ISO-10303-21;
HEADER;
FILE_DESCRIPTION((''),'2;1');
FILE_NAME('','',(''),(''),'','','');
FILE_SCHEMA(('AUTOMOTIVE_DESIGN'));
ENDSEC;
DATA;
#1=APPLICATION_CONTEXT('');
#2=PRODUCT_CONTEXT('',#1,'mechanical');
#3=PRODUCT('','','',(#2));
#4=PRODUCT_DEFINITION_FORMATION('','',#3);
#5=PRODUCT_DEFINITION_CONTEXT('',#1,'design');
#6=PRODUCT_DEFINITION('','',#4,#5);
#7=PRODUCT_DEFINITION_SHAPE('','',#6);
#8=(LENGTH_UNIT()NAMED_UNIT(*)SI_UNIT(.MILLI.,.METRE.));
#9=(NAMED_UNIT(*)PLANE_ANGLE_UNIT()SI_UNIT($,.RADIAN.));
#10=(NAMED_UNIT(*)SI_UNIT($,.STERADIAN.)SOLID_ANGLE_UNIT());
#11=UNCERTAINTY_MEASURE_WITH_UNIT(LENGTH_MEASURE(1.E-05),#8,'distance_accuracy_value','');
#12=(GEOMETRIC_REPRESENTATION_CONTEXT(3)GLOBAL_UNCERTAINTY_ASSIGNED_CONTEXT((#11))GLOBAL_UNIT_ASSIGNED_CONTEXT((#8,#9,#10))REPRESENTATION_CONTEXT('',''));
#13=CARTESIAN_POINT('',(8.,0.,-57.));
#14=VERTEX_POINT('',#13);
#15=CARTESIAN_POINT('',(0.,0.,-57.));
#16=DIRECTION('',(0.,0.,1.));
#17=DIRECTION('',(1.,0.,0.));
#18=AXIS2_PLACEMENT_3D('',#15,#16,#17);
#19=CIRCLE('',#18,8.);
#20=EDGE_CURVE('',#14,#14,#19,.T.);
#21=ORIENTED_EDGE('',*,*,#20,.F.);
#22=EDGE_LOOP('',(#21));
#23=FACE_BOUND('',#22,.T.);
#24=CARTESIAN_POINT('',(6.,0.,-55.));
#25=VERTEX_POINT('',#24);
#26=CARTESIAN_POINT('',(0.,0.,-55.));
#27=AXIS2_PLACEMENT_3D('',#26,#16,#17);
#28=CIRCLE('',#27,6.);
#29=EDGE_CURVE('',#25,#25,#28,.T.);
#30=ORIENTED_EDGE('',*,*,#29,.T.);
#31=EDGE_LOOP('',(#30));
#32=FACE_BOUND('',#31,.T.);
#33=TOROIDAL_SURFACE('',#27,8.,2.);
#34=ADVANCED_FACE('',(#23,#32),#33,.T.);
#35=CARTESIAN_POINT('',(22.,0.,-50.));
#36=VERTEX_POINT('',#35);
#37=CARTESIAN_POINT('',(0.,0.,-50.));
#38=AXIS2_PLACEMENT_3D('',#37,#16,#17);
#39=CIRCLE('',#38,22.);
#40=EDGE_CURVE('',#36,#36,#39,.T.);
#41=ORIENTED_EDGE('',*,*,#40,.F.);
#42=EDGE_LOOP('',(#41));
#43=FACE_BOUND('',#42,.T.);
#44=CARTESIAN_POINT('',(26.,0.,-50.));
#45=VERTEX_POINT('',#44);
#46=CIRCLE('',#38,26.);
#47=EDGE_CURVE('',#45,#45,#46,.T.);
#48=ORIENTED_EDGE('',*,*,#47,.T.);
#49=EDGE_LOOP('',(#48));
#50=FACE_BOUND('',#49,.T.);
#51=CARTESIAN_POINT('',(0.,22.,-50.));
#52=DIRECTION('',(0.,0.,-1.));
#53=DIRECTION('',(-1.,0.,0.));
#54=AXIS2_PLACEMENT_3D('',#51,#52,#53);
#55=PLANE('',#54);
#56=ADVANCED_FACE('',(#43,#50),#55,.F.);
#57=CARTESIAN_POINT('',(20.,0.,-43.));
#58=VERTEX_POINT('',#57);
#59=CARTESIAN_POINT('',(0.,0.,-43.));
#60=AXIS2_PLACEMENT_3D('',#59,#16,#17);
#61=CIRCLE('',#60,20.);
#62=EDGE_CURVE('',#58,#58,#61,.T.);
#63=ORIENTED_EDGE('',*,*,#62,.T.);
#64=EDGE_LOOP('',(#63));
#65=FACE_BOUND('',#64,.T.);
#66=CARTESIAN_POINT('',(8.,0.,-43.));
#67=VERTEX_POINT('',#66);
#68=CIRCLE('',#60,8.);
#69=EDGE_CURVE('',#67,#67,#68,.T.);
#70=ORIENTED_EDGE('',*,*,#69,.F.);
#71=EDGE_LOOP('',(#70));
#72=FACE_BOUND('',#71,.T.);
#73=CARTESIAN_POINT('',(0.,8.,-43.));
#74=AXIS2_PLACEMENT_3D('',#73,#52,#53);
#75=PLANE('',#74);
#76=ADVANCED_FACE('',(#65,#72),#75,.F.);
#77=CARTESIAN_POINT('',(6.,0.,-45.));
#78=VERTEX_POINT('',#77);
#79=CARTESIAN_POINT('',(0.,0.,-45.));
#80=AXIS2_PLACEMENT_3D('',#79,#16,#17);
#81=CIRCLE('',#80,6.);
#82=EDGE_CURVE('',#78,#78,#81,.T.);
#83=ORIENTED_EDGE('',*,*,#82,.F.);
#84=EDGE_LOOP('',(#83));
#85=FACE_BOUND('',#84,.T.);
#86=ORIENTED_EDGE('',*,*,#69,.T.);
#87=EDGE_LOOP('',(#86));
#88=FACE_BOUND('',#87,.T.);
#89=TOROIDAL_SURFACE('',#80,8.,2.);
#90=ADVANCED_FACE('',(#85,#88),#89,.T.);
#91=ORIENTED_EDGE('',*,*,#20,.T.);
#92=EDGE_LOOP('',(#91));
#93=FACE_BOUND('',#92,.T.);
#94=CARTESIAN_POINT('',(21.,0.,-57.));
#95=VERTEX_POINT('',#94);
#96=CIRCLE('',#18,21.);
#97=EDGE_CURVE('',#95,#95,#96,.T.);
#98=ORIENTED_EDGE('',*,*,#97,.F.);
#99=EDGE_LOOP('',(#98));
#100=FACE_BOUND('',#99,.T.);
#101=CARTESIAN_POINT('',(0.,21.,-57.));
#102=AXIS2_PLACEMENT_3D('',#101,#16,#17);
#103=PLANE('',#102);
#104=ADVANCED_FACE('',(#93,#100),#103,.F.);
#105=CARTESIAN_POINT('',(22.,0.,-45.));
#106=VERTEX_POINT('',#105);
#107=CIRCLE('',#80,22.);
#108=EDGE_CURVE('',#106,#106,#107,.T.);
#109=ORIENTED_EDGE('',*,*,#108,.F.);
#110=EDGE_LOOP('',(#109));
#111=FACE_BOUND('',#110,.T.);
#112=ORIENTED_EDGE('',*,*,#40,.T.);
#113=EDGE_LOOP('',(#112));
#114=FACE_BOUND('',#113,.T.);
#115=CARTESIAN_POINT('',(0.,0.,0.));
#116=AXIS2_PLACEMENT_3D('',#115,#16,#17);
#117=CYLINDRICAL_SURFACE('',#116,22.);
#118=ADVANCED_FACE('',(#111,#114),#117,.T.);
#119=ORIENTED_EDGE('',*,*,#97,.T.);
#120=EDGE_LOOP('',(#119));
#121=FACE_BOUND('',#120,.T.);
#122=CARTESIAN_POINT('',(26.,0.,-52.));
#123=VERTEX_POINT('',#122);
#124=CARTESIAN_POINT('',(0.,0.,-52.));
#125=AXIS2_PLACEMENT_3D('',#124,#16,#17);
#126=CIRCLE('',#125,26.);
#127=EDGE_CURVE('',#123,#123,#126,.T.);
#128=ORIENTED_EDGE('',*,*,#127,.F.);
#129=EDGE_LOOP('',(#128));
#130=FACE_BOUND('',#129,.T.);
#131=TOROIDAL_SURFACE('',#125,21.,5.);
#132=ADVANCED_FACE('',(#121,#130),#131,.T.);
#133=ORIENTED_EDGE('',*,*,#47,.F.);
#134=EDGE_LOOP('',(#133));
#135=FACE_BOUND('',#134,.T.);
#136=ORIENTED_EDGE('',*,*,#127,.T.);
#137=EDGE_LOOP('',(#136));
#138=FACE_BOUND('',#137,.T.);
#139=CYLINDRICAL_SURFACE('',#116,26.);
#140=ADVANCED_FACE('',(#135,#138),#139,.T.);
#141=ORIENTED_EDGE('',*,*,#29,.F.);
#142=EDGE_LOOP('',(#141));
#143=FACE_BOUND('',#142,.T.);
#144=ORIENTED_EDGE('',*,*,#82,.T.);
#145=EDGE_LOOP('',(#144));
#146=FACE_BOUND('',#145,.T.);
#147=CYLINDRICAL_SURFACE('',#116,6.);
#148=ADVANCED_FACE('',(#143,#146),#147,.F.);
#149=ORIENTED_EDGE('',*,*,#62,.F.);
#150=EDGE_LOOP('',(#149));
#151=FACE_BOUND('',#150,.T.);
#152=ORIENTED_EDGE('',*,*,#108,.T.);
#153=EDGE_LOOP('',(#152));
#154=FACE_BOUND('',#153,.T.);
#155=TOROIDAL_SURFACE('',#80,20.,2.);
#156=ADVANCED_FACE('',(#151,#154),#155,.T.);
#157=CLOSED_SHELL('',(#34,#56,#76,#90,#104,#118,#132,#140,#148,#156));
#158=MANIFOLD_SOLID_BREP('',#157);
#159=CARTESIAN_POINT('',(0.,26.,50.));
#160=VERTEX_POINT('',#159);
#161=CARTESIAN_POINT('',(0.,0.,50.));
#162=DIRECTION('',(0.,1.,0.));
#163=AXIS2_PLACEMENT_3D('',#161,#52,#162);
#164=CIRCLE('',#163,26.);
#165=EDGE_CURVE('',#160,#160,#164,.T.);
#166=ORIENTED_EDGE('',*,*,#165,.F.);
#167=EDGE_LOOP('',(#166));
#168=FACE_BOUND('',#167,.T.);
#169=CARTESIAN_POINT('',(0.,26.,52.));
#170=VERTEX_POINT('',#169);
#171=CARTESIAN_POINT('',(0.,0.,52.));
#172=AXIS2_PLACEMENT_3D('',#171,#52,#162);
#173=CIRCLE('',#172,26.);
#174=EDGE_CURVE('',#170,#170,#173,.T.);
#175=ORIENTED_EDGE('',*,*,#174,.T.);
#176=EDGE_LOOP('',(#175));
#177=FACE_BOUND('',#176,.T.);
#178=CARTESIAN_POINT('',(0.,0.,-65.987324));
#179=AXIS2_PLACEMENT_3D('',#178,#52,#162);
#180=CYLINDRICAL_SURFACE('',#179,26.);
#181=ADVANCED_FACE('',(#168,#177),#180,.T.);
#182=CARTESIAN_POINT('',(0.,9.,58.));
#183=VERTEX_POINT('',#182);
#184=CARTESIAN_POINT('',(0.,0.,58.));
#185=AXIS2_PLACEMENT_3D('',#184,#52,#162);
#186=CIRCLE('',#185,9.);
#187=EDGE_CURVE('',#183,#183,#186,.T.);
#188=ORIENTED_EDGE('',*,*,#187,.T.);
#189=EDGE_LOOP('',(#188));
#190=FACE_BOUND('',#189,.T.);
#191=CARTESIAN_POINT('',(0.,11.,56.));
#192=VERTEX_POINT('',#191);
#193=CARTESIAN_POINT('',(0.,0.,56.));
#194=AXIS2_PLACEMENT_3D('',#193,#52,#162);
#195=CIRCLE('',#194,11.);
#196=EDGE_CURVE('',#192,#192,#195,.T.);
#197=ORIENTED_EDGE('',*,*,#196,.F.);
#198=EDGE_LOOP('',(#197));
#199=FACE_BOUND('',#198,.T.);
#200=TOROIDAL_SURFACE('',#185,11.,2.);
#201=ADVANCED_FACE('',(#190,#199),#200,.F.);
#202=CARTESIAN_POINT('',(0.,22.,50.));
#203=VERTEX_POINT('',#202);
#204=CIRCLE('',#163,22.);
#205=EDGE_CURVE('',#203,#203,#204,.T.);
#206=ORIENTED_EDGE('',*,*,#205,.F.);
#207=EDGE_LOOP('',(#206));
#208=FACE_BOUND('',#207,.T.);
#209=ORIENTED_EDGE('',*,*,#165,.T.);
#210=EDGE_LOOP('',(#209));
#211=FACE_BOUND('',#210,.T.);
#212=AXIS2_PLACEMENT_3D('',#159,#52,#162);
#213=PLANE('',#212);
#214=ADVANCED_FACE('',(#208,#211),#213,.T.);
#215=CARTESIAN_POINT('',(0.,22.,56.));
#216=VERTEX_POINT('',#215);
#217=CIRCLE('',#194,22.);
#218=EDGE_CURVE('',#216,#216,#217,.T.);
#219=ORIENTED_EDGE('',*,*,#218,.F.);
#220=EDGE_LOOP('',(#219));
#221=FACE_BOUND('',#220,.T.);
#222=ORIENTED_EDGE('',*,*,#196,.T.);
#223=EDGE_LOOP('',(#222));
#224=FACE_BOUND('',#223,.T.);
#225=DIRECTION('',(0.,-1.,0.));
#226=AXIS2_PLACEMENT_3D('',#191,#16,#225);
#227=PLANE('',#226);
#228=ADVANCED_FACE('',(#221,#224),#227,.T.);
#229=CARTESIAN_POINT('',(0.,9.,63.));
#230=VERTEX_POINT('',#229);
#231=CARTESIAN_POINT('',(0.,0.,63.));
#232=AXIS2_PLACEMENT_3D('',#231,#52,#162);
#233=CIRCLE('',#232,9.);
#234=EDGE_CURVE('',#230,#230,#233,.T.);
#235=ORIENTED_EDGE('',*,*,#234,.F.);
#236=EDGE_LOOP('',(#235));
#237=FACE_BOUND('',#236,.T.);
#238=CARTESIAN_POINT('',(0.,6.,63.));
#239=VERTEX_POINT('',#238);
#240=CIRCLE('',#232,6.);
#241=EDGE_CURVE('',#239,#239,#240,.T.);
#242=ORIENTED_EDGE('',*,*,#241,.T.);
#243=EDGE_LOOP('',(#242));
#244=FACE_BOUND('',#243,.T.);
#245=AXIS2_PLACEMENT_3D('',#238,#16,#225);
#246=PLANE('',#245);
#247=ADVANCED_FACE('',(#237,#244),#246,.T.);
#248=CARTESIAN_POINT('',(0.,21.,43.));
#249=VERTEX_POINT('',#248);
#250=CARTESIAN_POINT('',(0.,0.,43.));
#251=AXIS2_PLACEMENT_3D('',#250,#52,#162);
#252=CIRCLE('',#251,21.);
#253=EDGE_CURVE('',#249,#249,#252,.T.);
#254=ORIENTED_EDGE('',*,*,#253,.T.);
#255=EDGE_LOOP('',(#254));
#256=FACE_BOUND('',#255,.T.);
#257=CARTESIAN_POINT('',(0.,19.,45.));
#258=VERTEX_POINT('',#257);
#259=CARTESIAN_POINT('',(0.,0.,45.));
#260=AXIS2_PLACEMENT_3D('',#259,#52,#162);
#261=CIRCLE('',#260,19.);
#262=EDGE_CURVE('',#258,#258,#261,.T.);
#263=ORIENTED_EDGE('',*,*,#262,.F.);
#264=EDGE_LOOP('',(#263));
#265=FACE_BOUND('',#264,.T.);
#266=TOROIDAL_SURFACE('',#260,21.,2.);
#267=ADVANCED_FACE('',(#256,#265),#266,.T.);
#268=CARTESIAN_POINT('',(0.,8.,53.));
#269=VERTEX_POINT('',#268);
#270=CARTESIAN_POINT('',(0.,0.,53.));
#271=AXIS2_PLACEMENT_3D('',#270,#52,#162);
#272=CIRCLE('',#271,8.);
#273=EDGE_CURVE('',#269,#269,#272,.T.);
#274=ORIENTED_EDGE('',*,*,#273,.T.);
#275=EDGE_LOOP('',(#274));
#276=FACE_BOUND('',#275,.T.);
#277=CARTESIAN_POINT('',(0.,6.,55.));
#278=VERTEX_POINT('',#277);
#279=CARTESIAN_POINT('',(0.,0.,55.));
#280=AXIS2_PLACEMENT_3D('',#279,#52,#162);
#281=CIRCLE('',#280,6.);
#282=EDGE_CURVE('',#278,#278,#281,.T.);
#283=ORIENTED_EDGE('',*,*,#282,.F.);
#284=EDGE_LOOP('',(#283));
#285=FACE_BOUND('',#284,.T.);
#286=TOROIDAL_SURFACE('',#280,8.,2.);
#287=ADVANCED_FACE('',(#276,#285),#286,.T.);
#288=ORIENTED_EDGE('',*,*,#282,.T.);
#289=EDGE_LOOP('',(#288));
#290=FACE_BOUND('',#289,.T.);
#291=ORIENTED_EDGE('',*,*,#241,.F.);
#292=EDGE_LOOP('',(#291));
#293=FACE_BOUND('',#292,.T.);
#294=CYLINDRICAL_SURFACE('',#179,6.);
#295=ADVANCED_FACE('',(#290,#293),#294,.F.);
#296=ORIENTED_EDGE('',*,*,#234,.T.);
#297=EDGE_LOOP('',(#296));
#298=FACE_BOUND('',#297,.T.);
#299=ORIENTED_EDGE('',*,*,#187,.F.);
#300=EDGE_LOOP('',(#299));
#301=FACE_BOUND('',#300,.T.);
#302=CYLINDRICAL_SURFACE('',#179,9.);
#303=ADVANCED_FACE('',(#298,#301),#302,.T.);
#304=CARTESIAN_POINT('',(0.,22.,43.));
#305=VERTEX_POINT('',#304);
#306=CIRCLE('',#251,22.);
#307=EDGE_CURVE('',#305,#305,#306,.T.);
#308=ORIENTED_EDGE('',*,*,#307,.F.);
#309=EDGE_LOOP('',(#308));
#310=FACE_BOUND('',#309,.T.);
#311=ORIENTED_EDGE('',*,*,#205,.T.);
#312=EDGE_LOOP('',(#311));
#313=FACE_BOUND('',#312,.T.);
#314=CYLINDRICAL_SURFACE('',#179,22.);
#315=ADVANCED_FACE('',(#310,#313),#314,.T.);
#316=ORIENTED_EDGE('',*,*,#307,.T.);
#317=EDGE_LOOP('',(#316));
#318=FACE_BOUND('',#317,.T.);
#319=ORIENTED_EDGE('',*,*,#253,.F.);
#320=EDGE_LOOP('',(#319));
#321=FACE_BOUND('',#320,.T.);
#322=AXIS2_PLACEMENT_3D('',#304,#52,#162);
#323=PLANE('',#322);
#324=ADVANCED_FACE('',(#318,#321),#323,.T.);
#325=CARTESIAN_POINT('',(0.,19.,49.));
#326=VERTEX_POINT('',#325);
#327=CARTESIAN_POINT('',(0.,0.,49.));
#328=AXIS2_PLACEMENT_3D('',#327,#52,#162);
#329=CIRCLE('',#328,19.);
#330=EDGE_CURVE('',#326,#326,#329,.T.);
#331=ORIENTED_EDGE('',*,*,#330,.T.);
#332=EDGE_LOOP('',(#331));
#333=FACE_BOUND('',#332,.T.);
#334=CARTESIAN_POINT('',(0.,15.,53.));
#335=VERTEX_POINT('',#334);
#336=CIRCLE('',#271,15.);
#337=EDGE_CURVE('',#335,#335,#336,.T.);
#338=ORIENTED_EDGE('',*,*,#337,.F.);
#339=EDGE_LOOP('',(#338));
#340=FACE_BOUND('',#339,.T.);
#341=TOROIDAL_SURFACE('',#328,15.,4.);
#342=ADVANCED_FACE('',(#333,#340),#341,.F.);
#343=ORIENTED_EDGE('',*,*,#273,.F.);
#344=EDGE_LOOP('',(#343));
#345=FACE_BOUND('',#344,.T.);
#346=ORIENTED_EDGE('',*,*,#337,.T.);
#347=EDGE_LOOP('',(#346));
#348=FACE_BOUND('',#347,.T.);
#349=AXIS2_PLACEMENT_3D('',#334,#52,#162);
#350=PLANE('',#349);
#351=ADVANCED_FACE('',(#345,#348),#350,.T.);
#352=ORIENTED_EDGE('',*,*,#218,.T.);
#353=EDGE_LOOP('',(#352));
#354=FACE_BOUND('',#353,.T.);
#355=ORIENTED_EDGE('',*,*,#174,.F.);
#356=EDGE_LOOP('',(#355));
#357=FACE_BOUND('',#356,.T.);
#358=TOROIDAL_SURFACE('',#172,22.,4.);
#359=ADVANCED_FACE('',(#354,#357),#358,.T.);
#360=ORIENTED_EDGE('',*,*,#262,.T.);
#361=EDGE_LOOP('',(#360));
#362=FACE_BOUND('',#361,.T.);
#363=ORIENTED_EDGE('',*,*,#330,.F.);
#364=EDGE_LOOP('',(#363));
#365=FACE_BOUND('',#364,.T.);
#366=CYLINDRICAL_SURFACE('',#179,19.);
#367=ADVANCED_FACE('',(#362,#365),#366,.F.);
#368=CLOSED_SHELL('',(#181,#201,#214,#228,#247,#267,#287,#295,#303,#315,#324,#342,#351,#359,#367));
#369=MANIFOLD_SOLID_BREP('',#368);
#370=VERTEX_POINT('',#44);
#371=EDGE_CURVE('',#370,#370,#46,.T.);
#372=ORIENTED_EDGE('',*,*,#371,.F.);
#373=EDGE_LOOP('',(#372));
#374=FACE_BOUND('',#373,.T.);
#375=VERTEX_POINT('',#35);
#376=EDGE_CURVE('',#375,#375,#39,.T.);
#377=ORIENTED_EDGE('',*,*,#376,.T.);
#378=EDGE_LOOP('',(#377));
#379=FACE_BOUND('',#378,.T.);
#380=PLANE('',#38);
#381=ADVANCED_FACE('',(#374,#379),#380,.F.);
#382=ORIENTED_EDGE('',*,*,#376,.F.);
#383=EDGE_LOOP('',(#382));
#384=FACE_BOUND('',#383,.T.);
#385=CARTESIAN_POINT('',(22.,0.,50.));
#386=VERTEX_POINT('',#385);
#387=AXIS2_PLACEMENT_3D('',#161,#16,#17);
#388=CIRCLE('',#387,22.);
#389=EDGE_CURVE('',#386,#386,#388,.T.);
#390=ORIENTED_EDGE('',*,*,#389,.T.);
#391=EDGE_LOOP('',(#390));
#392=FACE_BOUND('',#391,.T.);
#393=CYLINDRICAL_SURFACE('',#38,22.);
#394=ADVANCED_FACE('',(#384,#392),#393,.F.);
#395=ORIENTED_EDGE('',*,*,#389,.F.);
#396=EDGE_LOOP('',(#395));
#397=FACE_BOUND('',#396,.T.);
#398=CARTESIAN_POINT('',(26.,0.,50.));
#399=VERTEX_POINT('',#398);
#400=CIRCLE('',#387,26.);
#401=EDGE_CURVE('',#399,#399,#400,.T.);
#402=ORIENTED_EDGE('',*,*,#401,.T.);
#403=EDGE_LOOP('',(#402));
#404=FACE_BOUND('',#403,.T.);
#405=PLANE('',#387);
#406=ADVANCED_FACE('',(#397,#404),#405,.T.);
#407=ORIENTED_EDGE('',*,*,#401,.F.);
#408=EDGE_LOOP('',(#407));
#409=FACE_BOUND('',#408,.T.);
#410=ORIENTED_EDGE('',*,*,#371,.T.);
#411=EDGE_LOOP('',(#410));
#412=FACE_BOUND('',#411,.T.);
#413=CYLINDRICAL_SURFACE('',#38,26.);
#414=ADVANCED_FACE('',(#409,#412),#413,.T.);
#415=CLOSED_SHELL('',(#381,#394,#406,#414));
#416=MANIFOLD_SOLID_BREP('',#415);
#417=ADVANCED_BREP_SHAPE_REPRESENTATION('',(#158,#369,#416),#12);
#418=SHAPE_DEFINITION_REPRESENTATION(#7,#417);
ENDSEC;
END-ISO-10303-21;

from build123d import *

# Parameters (mm, degrees)
SALIENTE_EXTRUIR1_DEPTH      = 50
SALIENTE_EXTRUIR1_DEPTH_BACK = 50
CROQUIS1_R                   = 26
CROQUIS1_R_2                 = 22


with BuildPart() as part:
    # Croquis1 → Saliente-Extruir1 (new, two sides: drawn at the far end of the back side and taken through both)
    with BuildSketch(Plane.XY.offset(-SALIENTE_EXTRUIR1_DEPTH_BACK)):
        Circle(CROQUIS1_R)
        Circle(CROQUIS1_R_2, mode=Mode.SUBTRACT)
    extrude(amount=SALIENTE_EXTRUIR1_DEPTH + SALIENTE_EXTRUIR1_DEPTH_BACK)


with BuildPart() as body_2:
    # Croquis2 → Revolución2 (revolve)
    with BuildSketch(Plane(origin=(0, 0, 0), x_dir=(0, 0, -1), z_dir=(1, 0, 0))):
        with BuildLine():
            Line((-50, 22), (-43, 22))
            Line((-43, 22), (-43, 21))
            ThreePointArc((-43, 21), (-43.585786438, 19.585786438), (-45, 19))
            Line((-45, 19), (-49, 19))
            ThreePointArc((-49, 19), (-51.828427125, 17.828427125), (-53, 15))
            Line((-53, 15), (-53, 8))
            ThreePointArc((-53, 8), (-53.585786438, 6.585786438), (-55, 6))
            Line((-55, 6), (-63, 6))
            Line((-63, 6), (-63, 9))
            Line((-63, 9), (-58, 9))
            ThreePointArc((-58, 9), (-56.585786438, 9.585786438), (-56, 11))
            Line((-56, 11), (-56, 22))
            ThreePointArc((-56, 22), (-54.828427125, 24.828427125), (-52, 26))
            Line((-52, 26), (-50, 26))
            Line((-50, 26), (-50, 22))
        make_face()
    revolve(axis=Axis((0, 0, -65.987324402), (0, 0, 1)))


with BuildPart() as body_3:
    # Croquis3 → Revolución3 (revolve)
    with BuildSketch(Plane(origin=(0, 0, 0), x_dir=(0, 0, -1), z_dir=(1, 0, 0))):
        with BuildLine():
            Line((45, 22), (50, 22))
            Line((50, 22), (50, 26))
            Line((50, 26), (52, 26))
            ThreePointArc((52, 26), (55.535533906, 24.535533906), (57, 21))
            Line((57, 21), (57, 8))
            ThreePointArc((57, 8), (56.414213562, 6.585786438), (55, 6))
            Line((55, 6), (45, 6))
            ThreePointArc((45, 6), (43.585786438, 6.585786438), (43, 8))
            Line((43, 8), (43, 20))
            ThreePointArc((43, 20), (43.585786438, 21.414213562), (45, 22))
        make_face()
    revolve(axis=Axis((0, 0, 0), (0, 0, -1)))


solid = Compound([part.part, body_2.part, body_3.part])
